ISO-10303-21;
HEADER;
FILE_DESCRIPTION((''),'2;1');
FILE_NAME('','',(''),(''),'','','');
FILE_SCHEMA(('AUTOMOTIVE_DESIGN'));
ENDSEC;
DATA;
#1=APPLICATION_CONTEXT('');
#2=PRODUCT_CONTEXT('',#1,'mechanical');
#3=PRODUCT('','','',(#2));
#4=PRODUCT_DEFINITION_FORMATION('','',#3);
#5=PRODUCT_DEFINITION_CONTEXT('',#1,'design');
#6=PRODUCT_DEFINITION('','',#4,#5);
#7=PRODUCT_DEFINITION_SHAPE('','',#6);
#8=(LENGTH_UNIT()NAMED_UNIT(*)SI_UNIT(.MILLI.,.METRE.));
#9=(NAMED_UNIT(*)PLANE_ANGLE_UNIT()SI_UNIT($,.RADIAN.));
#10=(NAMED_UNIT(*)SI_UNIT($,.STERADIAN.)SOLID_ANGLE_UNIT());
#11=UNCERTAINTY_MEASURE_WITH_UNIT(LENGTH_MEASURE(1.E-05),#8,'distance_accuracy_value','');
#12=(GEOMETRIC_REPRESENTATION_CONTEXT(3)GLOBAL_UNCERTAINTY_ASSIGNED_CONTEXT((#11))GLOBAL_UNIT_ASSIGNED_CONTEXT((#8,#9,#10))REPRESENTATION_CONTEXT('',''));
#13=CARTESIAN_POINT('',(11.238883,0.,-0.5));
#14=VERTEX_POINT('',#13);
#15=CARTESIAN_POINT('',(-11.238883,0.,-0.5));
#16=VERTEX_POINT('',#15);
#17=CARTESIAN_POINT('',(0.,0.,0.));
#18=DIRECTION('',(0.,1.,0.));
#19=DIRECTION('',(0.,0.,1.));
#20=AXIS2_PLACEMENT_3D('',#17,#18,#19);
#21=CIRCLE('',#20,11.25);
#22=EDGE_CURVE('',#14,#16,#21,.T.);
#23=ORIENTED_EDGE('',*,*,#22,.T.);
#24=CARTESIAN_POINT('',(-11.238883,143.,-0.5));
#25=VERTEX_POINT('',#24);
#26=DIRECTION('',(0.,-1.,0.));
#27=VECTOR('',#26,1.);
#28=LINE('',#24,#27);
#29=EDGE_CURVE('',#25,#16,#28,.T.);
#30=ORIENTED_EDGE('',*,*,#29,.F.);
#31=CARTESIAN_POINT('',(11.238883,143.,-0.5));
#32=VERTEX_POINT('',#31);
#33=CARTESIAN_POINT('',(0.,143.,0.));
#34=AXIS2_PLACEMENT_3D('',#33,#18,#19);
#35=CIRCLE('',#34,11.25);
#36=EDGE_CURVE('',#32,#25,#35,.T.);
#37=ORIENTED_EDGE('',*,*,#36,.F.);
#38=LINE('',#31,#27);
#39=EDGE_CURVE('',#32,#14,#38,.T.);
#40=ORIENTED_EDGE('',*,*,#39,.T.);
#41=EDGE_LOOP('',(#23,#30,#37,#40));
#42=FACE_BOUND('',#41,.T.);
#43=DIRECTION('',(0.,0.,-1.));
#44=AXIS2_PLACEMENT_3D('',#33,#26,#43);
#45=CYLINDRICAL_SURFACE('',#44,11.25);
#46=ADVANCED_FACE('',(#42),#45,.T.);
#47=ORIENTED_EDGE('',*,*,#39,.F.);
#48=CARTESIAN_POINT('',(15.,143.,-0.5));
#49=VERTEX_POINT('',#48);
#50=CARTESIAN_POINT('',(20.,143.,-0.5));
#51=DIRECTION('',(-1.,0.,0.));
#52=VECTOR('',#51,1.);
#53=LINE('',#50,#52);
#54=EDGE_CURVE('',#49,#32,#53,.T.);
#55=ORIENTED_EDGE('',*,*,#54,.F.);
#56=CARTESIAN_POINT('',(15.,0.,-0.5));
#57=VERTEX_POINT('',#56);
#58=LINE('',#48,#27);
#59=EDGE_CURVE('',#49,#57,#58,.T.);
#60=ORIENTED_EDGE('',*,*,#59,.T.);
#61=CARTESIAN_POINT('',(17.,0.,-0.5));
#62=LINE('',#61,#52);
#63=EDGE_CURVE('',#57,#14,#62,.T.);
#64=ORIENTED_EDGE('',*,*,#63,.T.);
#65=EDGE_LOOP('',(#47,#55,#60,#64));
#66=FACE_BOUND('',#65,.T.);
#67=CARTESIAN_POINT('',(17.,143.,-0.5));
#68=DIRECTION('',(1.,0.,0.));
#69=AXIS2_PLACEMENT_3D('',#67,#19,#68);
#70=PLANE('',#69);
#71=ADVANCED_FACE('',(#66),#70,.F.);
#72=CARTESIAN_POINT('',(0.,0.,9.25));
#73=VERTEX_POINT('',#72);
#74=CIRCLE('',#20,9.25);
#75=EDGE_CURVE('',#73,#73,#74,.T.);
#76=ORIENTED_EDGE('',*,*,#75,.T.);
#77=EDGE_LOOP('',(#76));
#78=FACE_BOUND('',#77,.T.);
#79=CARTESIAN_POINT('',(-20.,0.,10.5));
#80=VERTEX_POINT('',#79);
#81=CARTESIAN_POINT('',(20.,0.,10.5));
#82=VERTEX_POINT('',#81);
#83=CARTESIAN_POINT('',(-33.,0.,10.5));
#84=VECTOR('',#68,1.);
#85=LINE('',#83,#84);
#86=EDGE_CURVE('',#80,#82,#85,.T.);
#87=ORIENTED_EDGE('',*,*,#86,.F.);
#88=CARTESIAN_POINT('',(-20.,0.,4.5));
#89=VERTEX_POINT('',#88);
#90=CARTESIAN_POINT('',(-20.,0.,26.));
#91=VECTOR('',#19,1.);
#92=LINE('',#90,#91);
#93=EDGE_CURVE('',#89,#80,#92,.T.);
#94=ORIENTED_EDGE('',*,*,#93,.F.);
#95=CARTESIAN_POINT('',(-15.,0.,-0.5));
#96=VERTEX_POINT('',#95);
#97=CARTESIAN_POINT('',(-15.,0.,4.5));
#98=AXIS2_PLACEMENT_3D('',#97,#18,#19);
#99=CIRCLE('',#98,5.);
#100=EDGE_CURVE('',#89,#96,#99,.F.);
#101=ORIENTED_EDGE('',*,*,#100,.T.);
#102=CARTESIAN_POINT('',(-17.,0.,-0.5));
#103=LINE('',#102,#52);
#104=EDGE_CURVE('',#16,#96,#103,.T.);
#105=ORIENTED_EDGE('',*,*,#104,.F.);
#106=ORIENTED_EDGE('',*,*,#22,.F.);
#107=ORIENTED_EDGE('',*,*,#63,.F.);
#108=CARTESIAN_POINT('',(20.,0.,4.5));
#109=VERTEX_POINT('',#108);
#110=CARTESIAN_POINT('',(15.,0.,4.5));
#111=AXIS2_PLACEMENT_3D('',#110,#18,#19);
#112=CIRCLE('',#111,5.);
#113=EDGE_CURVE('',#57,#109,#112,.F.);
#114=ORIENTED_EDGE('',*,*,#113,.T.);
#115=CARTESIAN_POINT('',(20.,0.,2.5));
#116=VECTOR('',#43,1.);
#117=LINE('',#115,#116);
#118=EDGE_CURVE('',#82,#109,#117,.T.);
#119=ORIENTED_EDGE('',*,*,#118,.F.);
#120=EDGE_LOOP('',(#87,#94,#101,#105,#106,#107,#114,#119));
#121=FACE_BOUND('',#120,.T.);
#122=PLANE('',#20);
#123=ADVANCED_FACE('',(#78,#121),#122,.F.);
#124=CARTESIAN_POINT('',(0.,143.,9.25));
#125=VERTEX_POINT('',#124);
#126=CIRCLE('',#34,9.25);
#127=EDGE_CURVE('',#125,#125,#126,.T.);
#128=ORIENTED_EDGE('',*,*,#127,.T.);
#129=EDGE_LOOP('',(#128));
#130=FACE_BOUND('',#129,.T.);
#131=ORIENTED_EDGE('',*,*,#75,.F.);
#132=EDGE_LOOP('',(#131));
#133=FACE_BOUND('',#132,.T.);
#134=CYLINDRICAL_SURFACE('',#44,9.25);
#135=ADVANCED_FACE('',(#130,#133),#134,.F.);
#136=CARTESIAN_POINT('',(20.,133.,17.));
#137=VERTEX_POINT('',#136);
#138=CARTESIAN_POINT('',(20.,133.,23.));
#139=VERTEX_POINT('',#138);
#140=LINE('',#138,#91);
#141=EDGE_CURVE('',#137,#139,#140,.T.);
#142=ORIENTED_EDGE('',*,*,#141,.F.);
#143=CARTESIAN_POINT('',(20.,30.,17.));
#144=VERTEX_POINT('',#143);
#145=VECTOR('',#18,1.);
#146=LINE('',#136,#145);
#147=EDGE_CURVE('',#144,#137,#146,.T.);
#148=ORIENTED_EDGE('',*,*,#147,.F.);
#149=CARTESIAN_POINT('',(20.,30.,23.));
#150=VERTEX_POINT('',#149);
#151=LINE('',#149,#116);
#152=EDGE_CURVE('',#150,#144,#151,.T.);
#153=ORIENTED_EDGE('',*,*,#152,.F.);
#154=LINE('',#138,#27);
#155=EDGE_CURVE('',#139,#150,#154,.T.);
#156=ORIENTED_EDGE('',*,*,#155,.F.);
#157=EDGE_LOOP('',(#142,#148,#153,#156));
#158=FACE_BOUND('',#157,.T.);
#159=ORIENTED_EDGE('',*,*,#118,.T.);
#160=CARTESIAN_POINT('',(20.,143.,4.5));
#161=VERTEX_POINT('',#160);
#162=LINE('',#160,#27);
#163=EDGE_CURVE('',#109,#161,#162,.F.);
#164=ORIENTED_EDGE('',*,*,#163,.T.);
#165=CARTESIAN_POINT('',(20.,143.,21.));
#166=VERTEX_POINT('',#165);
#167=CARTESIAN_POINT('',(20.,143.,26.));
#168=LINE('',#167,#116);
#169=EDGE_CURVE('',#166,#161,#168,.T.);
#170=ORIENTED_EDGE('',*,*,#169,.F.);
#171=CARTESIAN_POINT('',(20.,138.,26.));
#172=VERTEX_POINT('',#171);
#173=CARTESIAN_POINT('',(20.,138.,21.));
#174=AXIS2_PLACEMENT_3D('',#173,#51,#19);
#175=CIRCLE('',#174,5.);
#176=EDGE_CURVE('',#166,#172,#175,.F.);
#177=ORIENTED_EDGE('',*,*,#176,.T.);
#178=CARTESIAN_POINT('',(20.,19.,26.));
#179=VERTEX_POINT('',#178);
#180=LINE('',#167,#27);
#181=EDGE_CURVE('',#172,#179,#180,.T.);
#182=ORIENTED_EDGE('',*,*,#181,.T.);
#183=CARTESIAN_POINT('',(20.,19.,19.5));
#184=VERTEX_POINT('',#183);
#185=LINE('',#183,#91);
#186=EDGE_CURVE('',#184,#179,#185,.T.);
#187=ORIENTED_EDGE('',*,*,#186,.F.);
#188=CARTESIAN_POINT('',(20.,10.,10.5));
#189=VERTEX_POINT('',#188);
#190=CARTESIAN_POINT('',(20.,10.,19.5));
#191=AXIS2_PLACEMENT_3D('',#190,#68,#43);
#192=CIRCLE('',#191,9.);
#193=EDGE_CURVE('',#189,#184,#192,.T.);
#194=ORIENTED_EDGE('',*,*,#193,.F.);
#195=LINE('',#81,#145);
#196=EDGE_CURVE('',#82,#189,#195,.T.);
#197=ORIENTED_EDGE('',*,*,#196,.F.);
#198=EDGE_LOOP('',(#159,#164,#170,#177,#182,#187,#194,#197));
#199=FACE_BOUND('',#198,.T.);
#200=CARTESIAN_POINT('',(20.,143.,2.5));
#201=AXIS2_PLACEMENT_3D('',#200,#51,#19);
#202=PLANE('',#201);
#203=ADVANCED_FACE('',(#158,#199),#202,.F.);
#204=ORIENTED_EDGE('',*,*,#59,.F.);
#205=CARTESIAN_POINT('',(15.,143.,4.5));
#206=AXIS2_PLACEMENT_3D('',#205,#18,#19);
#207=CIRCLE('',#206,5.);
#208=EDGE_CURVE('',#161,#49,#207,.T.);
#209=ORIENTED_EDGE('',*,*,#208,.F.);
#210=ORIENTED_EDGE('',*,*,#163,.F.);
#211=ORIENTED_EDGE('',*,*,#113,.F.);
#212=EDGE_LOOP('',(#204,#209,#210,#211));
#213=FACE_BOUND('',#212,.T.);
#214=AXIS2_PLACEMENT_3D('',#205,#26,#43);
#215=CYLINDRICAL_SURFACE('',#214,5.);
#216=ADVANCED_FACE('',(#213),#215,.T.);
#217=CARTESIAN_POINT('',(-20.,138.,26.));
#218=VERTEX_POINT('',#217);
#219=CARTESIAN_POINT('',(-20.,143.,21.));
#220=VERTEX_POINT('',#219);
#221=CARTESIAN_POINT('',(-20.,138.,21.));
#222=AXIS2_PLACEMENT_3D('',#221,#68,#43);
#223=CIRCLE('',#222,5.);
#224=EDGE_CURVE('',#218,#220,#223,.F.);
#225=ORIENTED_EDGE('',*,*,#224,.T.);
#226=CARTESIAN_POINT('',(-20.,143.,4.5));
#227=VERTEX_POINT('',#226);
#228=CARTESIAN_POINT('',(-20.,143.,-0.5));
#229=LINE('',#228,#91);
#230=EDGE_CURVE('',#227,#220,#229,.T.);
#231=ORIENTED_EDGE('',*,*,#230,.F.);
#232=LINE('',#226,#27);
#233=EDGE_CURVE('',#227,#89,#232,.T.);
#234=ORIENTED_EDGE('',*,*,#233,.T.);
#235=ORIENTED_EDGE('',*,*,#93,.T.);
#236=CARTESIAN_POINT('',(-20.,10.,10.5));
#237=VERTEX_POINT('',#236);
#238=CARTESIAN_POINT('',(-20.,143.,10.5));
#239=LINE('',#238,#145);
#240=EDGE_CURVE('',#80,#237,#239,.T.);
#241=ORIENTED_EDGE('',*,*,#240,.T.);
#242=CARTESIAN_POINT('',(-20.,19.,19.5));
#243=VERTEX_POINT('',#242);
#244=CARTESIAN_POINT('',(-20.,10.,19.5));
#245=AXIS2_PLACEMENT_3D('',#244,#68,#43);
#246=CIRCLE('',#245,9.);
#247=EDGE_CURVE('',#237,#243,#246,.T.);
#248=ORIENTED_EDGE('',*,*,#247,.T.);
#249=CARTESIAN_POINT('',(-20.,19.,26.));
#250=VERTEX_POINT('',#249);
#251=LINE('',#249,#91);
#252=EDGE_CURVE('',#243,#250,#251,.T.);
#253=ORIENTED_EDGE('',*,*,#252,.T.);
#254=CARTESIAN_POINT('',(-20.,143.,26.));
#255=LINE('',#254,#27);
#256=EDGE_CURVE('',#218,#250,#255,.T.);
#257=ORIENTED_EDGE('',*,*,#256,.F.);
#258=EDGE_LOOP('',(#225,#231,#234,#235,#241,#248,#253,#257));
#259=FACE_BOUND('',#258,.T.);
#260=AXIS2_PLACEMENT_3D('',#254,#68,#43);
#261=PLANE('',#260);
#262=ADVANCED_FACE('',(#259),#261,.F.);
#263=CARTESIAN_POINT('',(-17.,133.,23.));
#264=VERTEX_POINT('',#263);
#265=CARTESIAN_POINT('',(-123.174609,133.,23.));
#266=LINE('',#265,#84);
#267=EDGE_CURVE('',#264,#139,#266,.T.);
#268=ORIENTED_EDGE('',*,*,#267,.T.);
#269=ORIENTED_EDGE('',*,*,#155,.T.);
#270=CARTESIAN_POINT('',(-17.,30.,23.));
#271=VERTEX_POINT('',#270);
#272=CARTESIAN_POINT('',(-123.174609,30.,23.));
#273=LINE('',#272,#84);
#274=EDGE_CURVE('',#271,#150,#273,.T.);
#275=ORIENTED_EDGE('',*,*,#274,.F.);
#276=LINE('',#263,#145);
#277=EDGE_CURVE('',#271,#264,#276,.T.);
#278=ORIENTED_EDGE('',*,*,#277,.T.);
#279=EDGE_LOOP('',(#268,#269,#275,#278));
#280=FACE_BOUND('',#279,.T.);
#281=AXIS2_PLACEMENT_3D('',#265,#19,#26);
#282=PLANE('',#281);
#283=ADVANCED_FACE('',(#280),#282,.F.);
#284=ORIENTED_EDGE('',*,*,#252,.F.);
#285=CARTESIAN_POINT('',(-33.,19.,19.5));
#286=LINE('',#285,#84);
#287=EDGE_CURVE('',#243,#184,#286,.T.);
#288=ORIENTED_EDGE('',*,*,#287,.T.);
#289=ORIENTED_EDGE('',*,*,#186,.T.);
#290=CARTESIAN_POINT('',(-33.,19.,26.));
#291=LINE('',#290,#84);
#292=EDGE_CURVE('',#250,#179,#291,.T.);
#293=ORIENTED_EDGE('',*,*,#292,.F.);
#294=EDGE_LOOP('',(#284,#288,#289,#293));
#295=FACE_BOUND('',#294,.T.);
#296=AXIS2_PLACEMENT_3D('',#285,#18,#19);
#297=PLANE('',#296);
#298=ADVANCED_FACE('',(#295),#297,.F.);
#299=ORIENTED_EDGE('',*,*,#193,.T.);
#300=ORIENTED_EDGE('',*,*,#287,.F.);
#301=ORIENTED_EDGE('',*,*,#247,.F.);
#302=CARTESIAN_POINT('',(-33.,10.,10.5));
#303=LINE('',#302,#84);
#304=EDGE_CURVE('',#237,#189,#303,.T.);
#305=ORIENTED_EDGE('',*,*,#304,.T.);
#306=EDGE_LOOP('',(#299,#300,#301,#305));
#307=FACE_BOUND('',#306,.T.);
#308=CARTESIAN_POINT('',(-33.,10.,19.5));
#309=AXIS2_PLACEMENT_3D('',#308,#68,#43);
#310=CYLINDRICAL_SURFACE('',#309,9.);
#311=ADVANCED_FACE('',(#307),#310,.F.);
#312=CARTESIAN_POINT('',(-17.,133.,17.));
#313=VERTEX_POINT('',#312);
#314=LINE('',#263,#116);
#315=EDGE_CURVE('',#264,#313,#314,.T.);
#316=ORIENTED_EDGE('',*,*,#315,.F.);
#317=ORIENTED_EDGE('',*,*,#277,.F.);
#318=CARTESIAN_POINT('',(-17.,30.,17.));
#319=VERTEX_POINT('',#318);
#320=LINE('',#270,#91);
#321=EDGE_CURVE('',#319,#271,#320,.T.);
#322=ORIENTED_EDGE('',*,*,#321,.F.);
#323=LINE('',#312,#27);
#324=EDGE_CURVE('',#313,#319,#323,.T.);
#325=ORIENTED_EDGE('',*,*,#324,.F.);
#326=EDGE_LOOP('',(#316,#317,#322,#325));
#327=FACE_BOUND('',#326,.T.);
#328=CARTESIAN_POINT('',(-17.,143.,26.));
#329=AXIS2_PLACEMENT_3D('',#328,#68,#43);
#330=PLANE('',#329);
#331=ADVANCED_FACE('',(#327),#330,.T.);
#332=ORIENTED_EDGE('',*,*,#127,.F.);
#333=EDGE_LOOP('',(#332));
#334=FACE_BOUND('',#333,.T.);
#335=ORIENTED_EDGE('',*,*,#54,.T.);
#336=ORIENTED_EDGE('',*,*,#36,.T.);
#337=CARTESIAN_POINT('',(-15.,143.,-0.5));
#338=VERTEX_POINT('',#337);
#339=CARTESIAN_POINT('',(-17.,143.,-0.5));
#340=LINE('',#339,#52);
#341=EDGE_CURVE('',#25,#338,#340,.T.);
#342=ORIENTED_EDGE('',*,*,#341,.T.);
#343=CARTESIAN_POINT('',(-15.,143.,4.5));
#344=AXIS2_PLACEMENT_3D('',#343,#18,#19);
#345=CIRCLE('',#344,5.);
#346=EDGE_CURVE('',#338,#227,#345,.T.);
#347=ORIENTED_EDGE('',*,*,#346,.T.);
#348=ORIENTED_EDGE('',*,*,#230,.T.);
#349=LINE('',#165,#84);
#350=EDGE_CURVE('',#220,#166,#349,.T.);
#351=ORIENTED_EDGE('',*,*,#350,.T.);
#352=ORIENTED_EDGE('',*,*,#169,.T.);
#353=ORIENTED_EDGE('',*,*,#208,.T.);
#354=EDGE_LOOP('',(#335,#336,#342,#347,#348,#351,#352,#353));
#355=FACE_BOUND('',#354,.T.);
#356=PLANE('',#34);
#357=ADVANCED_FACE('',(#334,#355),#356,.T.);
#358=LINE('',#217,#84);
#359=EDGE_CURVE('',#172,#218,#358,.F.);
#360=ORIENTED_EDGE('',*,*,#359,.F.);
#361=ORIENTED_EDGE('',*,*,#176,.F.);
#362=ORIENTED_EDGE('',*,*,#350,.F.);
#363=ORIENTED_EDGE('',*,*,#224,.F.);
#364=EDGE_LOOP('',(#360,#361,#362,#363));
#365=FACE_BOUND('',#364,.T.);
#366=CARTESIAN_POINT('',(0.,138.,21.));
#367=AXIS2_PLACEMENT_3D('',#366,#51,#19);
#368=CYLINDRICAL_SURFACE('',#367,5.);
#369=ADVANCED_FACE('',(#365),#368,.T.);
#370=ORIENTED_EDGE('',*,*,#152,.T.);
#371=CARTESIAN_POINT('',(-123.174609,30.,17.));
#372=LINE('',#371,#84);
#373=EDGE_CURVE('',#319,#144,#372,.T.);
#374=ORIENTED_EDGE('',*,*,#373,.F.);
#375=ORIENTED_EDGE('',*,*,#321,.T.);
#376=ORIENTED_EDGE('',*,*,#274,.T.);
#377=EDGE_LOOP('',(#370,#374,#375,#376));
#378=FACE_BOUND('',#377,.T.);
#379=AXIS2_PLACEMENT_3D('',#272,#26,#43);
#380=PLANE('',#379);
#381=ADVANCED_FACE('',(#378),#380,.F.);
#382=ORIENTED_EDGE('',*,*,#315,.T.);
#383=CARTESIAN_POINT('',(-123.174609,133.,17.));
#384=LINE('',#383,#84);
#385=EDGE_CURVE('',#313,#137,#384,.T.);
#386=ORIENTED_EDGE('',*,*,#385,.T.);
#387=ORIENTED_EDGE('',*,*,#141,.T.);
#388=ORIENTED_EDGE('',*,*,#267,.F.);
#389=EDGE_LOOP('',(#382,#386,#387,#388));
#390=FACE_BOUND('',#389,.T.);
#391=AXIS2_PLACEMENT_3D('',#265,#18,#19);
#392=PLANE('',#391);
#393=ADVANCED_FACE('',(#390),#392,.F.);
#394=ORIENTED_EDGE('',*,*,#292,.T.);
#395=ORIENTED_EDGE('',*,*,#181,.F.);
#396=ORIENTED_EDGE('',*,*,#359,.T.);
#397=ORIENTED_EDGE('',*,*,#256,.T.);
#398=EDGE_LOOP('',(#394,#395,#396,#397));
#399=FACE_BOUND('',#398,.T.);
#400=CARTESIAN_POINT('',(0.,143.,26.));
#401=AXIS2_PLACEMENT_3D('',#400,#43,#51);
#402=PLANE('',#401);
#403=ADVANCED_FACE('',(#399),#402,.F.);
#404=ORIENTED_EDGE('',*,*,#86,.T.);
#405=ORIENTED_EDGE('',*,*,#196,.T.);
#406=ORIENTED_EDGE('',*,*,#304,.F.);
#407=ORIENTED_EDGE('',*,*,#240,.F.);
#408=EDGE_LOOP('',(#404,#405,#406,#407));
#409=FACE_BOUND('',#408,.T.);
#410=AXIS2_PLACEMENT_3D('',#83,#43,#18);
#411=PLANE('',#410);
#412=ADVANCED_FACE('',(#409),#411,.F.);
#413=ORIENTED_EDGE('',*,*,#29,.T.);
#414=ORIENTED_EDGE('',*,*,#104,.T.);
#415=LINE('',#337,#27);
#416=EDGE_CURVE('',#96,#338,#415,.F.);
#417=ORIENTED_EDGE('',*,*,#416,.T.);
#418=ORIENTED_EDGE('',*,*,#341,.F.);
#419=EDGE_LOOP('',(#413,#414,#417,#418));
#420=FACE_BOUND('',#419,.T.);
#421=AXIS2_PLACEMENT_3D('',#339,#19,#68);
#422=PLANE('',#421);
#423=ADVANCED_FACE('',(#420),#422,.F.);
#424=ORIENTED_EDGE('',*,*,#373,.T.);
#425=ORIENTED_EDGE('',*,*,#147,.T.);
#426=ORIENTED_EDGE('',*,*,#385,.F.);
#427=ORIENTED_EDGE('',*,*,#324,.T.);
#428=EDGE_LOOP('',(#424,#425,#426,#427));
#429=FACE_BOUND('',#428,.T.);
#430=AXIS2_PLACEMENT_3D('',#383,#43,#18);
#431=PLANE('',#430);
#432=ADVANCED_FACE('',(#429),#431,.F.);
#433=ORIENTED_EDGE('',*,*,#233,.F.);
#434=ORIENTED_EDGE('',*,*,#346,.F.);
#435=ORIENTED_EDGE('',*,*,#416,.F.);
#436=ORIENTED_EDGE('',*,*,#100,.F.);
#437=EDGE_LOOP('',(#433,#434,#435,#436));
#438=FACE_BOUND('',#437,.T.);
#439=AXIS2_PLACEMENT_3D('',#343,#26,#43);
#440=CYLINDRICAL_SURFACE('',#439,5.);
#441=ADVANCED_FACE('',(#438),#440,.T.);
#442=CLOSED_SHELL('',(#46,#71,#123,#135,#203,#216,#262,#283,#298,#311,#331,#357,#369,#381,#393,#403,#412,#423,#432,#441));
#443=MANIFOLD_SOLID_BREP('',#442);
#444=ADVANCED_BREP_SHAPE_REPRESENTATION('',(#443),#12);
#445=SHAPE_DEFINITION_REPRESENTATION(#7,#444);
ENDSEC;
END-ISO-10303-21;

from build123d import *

# Parameters (mm, degrees)
SKETCH1_R           = 9.25
BOSS_EXTRUDE1_DEPTH = 143
FILLET2_R           = 5
SKETCH2_W           = 6
SKETCH2_H           = 103
CUT_EXTRUDE1_DEPTH  = 37
FILLET3_R           = 5
CUT_EXTRUDE2_DEPTH  = 53


with BuildPart() as part:
    # Sketch1 → Boss-Extrude1 (new body)
    with BuildSketch(Plane(origin=(0, 0, 0), x_dir=(1, 0, 0), z_dir=(0, 1, 0))):
        with BuildLine():
            Line((0, -26), (-20, -26))
            Line((-20, -26), (-20, -4.5))
            Line((-20, -4.5), (-20, -2.5))
            Line((-20, -2.5), (-20, 0.5))
            Line((-20, 0.5), (-17, 0.5))
            Line((-17, 0.5), (-11.238883396, 0.5))
            ThreePointArc((-11.238883396, 0.5), (0, 11.25), (11.238883396, 0.5))
            Line((11.238883396, 0.5), (17, 0.5))
            Line((17, 0.5), (20, 0.5))
            Line((20, 0.5), (20, -2.5))
            Line((20, -2.5), (20, -4.5))
            Line((20, -4.5), (20, -26))
            Line((20, -26), (0, -26))
        make_face()
        Circle(SKETCH1_R, mode=Mode.SUBTRACT)
    extrude(amount=BOSS_EXTRUDE1_DEPTH)

    # Fillet2
    fillet2_edges = [part.edges().sort_by_distance(p)[0] for p in [
        (-20, 71.5, -0.5),
        (20, 71.5, -0.5),
    ]]
    fillet(fillet2_edges, radius=FILLET2_R)

    # Sketch2 → Cut-Extrude1 (cut)
    with BuildSketch(Plane(origin=(20, 0, 0), x_dir=(0, 0, -1), z_dir=(1, 0, 0))):
        with Locations((-20, 81.5)):
            Rectangle(SKETCH2_W, SKETCH2_H)
    extrude(amount=-CUT_EXTRUDE1_DEPTH, mode=Mode.SUBTRACT)

    # Fillet3
    fillet3_edges = [part.edges().sort_by_distance(p)[0] for p in [
        (0, 0, 26),
        (0, 143, 26),
    ]]
    fillet(fillet3_edges, radius=FILLET3_R)

    # Sketch3 → Cut-Extrude2 (cut)
    with BuildSketch(Plane(origin=(20, 0, 0), x_dir=(0, 0, -1), z_dir=(1, 0, 0))):
        with BuildLine():
            Line((-10.5, 0), (-10.5, 10))
            ThreePointArc((-10.5, 10), (-13.136038969, 16.363961031), (-19.5, 19))
            Line((-19.5, 19), (-26, 19))
            Line((-26, 19), (-26, 5))
            ThreePointArc((-26, 5), (-24.535533906, 1.464466094), (-21, 0))
            Line((-21, 0), (-10.5, 0))
        make_face()
    extrude(amount=-CUT_EXTRUDE2_DEPTH, mode=Mode.SUBTRACT)


solid = part.part
